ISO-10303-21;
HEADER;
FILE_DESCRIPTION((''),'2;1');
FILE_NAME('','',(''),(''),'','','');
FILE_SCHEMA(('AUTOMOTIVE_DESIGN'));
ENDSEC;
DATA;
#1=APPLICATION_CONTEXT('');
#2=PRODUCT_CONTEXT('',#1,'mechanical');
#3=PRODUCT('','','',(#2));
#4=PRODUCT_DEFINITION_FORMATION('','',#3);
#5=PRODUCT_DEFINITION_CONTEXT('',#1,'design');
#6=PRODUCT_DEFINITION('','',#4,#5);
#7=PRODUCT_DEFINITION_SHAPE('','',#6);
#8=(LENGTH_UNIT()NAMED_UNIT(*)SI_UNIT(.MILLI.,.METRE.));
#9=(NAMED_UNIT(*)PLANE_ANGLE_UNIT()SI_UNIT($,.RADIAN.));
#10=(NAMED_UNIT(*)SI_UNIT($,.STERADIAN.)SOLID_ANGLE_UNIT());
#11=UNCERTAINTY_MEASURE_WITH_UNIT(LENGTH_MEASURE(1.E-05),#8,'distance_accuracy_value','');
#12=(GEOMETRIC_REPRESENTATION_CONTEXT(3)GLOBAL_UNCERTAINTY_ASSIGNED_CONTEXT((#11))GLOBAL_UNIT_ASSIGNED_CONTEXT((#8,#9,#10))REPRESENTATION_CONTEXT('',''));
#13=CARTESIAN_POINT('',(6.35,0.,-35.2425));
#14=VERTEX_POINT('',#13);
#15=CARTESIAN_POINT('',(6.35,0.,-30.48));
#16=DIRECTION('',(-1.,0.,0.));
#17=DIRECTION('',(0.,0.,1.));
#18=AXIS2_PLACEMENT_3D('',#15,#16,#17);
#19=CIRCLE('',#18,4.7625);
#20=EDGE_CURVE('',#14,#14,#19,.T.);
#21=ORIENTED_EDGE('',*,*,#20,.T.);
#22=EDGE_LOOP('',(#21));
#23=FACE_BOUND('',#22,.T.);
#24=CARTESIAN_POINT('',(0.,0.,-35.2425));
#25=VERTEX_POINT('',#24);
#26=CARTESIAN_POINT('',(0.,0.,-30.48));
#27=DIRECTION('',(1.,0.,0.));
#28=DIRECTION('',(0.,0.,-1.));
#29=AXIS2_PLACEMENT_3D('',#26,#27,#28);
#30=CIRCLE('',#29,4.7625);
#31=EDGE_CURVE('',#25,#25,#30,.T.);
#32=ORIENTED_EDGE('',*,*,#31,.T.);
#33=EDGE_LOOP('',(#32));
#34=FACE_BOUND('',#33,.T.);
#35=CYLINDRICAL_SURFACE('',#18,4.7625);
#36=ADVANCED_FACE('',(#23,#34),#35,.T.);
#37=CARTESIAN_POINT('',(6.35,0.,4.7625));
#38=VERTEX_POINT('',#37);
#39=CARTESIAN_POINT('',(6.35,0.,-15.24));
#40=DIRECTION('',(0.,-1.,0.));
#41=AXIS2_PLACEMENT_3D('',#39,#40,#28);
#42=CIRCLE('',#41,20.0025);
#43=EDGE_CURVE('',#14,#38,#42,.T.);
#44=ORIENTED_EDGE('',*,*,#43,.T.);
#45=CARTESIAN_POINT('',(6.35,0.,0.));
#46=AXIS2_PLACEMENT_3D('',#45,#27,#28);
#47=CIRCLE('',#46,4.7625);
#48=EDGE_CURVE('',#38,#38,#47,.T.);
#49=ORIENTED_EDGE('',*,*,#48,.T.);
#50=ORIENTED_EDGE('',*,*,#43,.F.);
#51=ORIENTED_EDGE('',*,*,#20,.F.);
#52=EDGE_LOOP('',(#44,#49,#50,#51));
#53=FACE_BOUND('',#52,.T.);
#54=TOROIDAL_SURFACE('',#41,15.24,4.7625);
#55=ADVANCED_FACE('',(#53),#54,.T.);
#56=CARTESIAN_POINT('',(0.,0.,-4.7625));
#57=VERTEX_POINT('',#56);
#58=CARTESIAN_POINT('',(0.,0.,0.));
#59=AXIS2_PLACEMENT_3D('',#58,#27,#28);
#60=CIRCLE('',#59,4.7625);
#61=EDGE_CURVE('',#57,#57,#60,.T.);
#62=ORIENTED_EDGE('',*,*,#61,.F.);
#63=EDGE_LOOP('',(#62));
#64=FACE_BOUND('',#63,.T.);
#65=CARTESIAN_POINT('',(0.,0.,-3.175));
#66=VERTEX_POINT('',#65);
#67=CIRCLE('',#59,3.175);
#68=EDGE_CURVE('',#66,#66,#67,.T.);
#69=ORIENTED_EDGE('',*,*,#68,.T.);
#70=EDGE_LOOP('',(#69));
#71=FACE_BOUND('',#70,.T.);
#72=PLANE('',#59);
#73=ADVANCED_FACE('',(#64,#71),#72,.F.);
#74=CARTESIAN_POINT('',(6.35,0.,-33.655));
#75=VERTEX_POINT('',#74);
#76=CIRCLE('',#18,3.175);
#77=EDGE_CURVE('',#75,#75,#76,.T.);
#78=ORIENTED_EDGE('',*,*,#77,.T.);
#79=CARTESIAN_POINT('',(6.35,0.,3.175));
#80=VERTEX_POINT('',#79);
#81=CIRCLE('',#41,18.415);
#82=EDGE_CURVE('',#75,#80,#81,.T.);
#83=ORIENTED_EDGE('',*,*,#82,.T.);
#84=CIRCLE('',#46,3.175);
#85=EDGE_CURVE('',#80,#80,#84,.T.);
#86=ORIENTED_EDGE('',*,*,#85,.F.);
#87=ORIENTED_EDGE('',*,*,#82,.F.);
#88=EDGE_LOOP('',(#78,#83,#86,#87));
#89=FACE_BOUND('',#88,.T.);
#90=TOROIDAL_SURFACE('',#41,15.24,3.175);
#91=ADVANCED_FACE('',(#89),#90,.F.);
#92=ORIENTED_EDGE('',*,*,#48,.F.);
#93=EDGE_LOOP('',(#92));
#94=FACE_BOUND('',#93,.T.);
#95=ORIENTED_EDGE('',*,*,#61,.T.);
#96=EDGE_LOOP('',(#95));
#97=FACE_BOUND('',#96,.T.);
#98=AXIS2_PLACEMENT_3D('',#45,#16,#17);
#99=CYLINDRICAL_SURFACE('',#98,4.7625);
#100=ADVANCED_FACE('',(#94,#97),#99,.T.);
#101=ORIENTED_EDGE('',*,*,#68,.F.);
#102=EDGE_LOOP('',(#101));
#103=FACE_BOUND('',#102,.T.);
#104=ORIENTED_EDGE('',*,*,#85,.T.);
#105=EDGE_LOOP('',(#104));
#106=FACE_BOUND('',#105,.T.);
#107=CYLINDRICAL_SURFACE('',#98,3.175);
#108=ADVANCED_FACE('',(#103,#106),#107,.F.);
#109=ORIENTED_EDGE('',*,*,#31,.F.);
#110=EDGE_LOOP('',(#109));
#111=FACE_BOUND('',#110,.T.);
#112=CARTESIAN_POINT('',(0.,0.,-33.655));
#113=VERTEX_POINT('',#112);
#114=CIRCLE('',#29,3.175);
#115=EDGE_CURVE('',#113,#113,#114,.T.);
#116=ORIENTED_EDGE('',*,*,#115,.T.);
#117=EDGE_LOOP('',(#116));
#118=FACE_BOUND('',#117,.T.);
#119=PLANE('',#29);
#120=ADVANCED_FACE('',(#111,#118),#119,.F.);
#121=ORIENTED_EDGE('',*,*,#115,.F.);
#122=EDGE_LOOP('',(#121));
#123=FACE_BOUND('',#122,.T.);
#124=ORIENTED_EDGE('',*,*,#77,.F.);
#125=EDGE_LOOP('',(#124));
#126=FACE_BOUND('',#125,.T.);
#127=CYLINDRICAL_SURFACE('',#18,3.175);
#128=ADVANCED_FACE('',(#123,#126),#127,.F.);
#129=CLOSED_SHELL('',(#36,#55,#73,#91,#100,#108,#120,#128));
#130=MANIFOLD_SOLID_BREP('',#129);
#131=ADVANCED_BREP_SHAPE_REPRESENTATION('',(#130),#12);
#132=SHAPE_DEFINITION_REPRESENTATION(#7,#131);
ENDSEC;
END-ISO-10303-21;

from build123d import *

# Parameters (mm, degrees)
SKETCH1_R             = 4.7625
SKETCH1_R_2           = 3.175
BOSS_EXTRUDE1_DEPTH   = 6.35
BOSS_EXTRUDE1_2_DEPTH = 6.35
SKETCH2_R             = 4.7625
SKETCH2_R_2           = 3.175
REVOLVE1_ANGLE        = 180


with BuildPart() as part:
    # Sketch1 → Boss-Extrude1 (new body)
    with BuildSketch(Plane(origin=(0, 0, 0), x_dir=(0, 0, -1), z_dir=(1, 0, 0))):
        Circle(SKETCH1_R)
        Circle(SKETCH1_R_2, mode=Mode.SUBTRACT)
    extrude(amount=BOSS_EXTRUDE1_DEPTH)



with BuildPart() as body_2:
    # Sketch1 → Boss-Extrude1 2 (new body)
    with BuildSketch(Plane(origin=(0, 0, 0), x_dir=(0, 0, -1), z_dir=(1, 0, 0))):
        with Locations((30.48, 0)):
            Circle(SKETCH1_R)
        with Locations((30.48, 0)):
            Circle(SKETCH1_R_2, mode=Mode.SUBTRACT)
    extrude(amount=BOSS_EXTRUDE1_2_DEPTH)


with BuildPart() as part_1:
    add(part.part)

    add(body_2.part)  # Revolve1 merges body 2
    # Sketch2 → Revolve1 (revolve)
    with BuildSketch(Plane(origin=(6.35, 0, 0), x_dir=(0, 0, -1), z_dir=(1, 0, 0))):
        with Locations(Location((0, 0, 0), (0, 0, 180))):
            Circle(SKETCH2_R)
        with Locations(Location((0, 0, 0), (0, 0, 180))):
            Circle(SKETCH2_R_2, mode=Mode.SUBTRACT)
    revolve(axis=Axis((6.35, 0, -15.24), (0, 1, 0)), revolution_arc=REVOLVE1_ANGLE)


solid = part_1.part
